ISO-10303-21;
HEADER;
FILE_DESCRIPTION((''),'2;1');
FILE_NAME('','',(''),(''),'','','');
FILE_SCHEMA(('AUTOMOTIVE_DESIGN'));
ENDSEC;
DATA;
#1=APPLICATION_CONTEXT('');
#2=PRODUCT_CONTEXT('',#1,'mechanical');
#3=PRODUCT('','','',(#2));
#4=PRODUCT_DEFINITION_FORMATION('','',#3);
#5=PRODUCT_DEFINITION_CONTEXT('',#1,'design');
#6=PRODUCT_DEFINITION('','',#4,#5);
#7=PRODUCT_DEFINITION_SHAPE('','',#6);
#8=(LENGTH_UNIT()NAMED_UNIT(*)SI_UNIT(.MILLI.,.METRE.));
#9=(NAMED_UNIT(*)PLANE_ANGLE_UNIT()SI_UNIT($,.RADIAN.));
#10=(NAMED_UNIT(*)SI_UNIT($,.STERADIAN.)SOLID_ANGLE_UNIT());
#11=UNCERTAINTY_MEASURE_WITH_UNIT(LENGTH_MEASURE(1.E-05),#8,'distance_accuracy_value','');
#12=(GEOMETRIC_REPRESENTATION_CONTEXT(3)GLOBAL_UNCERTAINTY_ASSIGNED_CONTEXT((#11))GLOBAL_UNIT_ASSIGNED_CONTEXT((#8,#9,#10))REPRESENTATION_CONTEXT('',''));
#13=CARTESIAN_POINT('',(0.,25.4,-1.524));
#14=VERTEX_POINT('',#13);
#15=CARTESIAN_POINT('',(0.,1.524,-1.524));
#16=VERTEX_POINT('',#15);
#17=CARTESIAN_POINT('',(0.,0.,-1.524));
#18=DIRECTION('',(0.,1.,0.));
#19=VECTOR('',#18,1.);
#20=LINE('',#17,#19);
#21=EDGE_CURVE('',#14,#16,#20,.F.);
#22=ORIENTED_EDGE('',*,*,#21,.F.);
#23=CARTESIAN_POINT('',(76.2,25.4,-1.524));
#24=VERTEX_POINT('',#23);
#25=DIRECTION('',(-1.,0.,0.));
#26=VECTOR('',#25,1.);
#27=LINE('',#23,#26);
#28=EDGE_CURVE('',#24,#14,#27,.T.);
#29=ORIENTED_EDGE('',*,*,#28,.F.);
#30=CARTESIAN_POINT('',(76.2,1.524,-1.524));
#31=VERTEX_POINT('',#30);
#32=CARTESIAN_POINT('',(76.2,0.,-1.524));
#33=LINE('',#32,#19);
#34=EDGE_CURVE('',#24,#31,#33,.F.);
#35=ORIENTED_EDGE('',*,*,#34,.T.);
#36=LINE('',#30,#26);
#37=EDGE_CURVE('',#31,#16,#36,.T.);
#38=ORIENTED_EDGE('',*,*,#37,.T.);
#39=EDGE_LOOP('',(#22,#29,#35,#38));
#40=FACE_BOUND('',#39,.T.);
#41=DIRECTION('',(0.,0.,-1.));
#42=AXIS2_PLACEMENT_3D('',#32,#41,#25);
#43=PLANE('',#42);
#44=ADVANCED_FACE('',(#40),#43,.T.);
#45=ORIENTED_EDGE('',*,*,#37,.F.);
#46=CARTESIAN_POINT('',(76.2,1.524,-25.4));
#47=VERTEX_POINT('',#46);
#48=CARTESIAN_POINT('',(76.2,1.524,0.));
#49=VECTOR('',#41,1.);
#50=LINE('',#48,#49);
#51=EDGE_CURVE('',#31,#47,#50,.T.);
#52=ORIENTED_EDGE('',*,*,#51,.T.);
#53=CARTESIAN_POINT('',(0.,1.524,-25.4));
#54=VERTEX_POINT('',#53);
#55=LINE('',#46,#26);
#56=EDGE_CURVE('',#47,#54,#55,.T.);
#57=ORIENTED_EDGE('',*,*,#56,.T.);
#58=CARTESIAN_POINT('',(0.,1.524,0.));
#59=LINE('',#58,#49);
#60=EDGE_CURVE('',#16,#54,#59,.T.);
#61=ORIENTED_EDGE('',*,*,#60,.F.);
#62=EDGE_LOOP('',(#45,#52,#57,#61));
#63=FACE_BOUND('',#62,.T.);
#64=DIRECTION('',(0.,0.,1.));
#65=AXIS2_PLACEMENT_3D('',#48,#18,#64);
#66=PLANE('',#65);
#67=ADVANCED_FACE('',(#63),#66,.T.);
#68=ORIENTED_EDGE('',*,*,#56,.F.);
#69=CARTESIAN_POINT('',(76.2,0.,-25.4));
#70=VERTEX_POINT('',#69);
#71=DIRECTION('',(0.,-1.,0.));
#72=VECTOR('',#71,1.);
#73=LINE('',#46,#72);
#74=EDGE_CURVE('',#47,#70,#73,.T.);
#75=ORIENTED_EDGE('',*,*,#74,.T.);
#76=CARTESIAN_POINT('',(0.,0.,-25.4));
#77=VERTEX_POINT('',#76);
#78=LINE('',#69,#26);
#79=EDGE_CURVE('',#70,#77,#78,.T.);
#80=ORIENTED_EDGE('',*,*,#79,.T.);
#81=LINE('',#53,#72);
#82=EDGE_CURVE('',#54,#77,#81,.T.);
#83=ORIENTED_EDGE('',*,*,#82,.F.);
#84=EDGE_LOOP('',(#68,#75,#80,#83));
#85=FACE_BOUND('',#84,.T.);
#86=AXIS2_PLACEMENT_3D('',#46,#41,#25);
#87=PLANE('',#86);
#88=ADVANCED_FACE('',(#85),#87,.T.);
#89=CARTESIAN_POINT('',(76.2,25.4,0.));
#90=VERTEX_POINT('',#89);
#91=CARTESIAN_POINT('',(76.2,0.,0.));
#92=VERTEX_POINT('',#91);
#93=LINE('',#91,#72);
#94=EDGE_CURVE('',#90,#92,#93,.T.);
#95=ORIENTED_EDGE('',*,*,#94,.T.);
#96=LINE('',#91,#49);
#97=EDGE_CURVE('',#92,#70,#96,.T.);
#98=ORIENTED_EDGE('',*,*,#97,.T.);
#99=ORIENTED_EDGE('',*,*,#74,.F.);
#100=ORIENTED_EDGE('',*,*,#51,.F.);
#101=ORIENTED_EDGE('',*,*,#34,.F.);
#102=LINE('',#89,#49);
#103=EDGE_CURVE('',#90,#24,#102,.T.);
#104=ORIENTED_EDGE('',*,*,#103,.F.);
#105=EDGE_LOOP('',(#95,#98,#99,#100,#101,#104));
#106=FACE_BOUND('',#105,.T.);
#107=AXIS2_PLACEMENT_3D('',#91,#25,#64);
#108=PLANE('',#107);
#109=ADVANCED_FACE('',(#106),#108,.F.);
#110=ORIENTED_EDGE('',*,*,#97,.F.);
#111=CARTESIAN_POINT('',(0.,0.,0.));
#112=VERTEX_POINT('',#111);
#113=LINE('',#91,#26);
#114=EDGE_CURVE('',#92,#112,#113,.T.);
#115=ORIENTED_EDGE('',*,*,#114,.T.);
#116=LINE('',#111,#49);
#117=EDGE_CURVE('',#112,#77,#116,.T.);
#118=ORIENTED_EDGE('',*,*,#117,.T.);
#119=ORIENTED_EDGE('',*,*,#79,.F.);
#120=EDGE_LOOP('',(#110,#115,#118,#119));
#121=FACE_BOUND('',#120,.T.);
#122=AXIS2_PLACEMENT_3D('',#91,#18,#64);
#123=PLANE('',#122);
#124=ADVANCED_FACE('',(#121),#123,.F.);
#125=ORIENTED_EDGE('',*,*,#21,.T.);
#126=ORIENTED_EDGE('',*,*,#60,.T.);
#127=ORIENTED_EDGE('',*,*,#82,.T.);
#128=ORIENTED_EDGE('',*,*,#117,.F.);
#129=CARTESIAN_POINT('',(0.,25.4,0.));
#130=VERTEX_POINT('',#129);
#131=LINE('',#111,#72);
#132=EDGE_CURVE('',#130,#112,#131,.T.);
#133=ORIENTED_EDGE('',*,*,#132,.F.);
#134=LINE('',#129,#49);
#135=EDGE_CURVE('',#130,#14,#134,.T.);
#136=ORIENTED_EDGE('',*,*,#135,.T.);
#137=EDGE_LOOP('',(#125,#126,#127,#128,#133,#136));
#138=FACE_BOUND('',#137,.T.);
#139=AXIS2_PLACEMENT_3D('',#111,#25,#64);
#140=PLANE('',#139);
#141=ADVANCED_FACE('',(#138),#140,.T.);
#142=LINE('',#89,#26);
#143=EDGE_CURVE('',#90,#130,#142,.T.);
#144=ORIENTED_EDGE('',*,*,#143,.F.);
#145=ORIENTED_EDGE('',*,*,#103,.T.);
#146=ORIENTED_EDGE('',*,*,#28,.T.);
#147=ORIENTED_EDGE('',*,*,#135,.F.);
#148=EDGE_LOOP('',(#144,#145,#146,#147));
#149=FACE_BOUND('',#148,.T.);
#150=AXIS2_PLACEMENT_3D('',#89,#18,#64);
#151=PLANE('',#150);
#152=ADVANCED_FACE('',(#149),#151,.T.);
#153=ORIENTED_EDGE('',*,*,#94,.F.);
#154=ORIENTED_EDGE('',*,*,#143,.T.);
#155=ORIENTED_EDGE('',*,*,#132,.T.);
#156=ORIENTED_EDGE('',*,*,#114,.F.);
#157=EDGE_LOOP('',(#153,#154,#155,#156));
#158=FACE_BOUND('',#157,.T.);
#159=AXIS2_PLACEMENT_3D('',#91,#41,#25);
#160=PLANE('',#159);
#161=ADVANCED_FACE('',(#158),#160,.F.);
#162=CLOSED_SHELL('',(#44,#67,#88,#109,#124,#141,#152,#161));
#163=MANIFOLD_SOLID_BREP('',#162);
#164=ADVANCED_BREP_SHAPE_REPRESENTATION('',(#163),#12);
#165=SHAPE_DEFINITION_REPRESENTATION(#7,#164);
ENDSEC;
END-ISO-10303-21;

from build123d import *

# Parameters (mm, degrees)
EXTRUDE_THIN1_DEPTH = 76.2


with BuildPart() as part:
    # Sketch1 → Extrude-Thin1 (new body)
    with BuildSketch(Plane(origin=(0, 0, 0), x_dir=(0, 0, -1), z_dir=(1, 0, 0))):
        Polygon((0, 25.4), (0, 0), (25.4, 0), (25.4, 1.524), (1.524, 1.524), (1.524, 25.4), align=None)
    extrude(amount=EXTRUDE_THIN1_DEPTH)


solid = part.part
